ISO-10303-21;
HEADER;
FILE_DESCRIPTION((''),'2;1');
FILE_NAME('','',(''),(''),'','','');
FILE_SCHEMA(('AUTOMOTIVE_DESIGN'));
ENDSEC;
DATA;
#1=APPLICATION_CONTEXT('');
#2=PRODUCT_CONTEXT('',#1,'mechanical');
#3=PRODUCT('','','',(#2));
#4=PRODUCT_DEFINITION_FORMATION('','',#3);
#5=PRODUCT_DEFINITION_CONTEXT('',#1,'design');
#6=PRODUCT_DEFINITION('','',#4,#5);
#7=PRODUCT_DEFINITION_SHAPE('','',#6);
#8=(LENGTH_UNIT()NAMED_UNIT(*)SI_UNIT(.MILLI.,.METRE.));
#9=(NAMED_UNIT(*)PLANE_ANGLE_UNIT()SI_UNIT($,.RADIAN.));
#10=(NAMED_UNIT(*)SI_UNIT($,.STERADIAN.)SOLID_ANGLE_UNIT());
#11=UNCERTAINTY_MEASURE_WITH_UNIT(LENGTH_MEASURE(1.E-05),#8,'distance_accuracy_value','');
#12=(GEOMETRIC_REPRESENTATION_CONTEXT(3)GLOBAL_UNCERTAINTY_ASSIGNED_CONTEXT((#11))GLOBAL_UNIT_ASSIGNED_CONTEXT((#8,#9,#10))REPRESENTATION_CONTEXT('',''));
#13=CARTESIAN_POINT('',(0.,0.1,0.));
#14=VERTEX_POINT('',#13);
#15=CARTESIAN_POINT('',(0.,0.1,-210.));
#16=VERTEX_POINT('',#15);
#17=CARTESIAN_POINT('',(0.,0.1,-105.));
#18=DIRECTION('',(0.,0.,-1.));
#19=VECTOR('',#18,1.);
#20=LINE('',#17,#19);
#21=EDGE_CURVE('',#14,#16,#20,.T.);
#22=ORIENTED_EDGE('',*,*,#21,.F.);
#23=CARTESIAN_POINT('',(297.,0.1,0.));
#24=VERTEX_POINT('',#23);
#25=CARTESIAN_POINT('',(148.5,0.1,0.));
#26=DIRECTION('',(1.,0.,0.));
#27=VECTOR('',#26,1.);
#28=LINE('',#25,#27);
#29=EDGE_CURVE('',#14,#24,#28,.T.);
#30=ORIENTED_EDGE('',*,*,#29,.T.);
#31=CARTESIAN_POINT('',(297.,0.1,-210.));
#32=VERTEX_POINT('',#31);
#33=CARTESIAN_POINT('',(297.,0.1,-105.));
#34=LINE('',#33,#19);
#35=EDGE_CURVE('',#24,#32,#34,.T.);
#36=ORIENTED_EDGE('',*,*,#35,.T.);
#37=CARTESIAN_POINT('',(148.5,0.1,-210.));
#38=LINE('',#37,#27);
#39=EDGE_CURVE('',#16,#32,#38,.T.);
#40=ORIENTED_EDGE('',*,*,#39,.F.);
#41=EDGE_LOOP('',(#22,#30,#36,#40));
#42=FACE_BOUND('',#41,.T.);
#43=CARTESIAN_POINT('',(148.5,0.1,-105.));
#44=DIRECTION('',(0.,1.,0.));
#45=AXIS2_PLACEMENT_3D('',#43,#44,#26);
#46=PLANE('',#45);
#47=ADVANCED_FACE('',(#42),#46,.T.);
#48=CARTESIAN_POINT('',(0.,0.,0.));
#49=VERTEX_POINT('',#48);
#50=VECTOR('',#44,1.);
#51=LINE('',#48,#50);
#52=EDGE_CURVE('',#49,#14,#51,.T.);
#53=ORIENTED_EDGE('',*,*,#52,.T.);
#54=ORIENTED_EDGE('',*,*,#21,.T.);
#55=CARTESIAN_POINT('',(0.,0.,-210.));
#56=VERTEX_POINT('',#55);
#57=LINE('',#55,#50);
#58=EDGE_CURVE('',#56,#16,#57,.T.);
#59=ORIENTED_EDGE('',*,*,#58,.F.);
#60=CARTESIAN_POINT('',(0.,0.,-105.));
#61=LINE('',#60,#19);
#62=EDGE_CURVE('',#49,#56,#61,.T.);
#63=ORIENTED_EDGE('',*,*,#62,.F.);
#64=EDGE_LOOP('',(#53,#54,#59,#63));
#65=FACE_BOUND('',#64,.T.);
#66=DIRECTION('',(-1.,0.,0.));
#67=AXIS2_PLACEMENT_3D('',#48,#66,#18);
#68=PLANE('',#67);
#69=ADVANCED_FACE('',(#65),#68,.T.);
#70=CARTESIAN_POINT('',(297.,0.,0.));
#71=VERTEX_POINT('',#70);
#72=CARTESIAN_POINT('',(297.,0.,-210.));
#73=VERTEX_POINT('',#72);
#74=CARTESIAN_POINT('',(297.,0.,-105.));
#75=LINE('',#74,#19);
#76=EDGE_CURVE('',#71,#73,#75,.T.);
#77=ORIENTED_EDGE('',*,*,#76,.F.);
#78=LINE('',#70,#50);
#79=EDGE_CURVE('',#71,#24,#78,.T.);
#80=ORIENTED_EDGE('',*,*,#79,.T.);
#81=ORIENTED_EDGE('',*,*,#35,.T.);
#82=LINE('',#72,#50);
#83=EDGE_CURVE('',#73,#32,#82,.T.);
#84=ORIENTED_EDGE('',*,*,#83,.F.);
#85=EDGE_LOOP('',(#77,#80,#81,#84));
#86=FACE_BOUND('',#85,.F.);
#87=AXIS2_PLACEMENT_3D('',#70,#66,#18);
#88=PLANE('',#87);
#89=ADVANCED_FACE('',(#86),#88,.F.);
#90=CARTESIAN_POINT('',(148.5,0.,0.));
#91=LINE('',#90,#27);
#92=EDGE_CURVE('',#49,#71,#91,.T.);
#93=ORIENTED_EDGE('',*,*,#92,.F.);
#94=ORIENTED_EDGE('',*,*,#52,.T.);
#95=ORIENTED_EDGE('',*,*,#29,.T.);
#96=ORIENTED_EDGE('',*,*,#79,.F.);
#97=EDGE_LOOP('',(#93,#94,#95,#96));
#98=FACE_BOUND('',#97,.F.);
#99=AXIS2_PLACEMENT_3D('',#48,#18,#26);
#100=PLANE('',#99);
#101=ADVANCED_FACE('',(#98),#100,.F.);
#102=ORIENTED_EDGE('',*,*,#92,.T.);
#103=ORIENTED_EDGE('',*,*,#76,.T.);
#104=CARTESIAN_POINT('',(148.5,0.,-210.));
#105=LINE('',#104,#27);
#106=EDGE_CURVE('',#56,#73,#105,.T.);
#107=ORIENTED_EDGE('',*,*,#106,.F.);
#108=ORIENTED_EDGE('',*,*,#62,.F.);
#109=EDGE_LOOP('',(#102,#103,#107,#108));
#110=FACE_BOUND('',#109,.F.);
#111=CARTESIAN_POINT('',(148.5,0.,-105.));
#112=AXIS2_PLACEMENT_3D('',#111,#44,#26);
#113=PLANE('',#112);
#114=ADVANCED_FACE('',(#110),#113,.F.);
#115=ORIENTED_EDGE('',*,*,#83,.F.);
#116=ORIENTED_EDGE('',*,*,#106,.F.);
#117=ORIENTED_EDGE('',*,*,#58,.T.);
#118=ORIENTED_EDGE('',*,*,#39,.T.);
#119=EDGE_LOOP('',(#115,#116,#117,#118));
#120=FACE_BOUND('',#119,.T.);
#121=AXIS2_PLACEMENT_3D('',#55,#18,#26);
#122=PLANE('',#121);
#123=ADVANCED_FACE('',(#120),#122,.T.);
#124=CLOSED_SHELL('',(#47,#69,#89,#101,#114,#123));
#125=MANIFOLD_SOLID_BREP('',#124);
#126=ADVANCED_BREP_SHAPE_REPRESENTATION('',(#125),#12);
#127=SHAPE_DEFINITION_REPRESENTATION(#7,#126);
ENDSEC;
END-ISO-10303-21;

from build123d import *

# Parameters (mm, degrees)
SKETCH_1_W      = 297
SKETCH_1_H      = 210
EXTRUDE_1_DEPTH = 0.1


with BuildPart() as part:
    # 草图1 → 凸台-拉伸1 (new body)
    with BuildSketch(Plane(origin=(0, 0, 0), x_dir=(1, 0, 0), z_dir=(0, 1, 0))):
        with Locations((148.5, 105)):
            Rectangle(SKETCH_1_W, SKETCH_1_H)
    extrude(amount=EXTRUDE_1_DEPTH)


solid = part.part
